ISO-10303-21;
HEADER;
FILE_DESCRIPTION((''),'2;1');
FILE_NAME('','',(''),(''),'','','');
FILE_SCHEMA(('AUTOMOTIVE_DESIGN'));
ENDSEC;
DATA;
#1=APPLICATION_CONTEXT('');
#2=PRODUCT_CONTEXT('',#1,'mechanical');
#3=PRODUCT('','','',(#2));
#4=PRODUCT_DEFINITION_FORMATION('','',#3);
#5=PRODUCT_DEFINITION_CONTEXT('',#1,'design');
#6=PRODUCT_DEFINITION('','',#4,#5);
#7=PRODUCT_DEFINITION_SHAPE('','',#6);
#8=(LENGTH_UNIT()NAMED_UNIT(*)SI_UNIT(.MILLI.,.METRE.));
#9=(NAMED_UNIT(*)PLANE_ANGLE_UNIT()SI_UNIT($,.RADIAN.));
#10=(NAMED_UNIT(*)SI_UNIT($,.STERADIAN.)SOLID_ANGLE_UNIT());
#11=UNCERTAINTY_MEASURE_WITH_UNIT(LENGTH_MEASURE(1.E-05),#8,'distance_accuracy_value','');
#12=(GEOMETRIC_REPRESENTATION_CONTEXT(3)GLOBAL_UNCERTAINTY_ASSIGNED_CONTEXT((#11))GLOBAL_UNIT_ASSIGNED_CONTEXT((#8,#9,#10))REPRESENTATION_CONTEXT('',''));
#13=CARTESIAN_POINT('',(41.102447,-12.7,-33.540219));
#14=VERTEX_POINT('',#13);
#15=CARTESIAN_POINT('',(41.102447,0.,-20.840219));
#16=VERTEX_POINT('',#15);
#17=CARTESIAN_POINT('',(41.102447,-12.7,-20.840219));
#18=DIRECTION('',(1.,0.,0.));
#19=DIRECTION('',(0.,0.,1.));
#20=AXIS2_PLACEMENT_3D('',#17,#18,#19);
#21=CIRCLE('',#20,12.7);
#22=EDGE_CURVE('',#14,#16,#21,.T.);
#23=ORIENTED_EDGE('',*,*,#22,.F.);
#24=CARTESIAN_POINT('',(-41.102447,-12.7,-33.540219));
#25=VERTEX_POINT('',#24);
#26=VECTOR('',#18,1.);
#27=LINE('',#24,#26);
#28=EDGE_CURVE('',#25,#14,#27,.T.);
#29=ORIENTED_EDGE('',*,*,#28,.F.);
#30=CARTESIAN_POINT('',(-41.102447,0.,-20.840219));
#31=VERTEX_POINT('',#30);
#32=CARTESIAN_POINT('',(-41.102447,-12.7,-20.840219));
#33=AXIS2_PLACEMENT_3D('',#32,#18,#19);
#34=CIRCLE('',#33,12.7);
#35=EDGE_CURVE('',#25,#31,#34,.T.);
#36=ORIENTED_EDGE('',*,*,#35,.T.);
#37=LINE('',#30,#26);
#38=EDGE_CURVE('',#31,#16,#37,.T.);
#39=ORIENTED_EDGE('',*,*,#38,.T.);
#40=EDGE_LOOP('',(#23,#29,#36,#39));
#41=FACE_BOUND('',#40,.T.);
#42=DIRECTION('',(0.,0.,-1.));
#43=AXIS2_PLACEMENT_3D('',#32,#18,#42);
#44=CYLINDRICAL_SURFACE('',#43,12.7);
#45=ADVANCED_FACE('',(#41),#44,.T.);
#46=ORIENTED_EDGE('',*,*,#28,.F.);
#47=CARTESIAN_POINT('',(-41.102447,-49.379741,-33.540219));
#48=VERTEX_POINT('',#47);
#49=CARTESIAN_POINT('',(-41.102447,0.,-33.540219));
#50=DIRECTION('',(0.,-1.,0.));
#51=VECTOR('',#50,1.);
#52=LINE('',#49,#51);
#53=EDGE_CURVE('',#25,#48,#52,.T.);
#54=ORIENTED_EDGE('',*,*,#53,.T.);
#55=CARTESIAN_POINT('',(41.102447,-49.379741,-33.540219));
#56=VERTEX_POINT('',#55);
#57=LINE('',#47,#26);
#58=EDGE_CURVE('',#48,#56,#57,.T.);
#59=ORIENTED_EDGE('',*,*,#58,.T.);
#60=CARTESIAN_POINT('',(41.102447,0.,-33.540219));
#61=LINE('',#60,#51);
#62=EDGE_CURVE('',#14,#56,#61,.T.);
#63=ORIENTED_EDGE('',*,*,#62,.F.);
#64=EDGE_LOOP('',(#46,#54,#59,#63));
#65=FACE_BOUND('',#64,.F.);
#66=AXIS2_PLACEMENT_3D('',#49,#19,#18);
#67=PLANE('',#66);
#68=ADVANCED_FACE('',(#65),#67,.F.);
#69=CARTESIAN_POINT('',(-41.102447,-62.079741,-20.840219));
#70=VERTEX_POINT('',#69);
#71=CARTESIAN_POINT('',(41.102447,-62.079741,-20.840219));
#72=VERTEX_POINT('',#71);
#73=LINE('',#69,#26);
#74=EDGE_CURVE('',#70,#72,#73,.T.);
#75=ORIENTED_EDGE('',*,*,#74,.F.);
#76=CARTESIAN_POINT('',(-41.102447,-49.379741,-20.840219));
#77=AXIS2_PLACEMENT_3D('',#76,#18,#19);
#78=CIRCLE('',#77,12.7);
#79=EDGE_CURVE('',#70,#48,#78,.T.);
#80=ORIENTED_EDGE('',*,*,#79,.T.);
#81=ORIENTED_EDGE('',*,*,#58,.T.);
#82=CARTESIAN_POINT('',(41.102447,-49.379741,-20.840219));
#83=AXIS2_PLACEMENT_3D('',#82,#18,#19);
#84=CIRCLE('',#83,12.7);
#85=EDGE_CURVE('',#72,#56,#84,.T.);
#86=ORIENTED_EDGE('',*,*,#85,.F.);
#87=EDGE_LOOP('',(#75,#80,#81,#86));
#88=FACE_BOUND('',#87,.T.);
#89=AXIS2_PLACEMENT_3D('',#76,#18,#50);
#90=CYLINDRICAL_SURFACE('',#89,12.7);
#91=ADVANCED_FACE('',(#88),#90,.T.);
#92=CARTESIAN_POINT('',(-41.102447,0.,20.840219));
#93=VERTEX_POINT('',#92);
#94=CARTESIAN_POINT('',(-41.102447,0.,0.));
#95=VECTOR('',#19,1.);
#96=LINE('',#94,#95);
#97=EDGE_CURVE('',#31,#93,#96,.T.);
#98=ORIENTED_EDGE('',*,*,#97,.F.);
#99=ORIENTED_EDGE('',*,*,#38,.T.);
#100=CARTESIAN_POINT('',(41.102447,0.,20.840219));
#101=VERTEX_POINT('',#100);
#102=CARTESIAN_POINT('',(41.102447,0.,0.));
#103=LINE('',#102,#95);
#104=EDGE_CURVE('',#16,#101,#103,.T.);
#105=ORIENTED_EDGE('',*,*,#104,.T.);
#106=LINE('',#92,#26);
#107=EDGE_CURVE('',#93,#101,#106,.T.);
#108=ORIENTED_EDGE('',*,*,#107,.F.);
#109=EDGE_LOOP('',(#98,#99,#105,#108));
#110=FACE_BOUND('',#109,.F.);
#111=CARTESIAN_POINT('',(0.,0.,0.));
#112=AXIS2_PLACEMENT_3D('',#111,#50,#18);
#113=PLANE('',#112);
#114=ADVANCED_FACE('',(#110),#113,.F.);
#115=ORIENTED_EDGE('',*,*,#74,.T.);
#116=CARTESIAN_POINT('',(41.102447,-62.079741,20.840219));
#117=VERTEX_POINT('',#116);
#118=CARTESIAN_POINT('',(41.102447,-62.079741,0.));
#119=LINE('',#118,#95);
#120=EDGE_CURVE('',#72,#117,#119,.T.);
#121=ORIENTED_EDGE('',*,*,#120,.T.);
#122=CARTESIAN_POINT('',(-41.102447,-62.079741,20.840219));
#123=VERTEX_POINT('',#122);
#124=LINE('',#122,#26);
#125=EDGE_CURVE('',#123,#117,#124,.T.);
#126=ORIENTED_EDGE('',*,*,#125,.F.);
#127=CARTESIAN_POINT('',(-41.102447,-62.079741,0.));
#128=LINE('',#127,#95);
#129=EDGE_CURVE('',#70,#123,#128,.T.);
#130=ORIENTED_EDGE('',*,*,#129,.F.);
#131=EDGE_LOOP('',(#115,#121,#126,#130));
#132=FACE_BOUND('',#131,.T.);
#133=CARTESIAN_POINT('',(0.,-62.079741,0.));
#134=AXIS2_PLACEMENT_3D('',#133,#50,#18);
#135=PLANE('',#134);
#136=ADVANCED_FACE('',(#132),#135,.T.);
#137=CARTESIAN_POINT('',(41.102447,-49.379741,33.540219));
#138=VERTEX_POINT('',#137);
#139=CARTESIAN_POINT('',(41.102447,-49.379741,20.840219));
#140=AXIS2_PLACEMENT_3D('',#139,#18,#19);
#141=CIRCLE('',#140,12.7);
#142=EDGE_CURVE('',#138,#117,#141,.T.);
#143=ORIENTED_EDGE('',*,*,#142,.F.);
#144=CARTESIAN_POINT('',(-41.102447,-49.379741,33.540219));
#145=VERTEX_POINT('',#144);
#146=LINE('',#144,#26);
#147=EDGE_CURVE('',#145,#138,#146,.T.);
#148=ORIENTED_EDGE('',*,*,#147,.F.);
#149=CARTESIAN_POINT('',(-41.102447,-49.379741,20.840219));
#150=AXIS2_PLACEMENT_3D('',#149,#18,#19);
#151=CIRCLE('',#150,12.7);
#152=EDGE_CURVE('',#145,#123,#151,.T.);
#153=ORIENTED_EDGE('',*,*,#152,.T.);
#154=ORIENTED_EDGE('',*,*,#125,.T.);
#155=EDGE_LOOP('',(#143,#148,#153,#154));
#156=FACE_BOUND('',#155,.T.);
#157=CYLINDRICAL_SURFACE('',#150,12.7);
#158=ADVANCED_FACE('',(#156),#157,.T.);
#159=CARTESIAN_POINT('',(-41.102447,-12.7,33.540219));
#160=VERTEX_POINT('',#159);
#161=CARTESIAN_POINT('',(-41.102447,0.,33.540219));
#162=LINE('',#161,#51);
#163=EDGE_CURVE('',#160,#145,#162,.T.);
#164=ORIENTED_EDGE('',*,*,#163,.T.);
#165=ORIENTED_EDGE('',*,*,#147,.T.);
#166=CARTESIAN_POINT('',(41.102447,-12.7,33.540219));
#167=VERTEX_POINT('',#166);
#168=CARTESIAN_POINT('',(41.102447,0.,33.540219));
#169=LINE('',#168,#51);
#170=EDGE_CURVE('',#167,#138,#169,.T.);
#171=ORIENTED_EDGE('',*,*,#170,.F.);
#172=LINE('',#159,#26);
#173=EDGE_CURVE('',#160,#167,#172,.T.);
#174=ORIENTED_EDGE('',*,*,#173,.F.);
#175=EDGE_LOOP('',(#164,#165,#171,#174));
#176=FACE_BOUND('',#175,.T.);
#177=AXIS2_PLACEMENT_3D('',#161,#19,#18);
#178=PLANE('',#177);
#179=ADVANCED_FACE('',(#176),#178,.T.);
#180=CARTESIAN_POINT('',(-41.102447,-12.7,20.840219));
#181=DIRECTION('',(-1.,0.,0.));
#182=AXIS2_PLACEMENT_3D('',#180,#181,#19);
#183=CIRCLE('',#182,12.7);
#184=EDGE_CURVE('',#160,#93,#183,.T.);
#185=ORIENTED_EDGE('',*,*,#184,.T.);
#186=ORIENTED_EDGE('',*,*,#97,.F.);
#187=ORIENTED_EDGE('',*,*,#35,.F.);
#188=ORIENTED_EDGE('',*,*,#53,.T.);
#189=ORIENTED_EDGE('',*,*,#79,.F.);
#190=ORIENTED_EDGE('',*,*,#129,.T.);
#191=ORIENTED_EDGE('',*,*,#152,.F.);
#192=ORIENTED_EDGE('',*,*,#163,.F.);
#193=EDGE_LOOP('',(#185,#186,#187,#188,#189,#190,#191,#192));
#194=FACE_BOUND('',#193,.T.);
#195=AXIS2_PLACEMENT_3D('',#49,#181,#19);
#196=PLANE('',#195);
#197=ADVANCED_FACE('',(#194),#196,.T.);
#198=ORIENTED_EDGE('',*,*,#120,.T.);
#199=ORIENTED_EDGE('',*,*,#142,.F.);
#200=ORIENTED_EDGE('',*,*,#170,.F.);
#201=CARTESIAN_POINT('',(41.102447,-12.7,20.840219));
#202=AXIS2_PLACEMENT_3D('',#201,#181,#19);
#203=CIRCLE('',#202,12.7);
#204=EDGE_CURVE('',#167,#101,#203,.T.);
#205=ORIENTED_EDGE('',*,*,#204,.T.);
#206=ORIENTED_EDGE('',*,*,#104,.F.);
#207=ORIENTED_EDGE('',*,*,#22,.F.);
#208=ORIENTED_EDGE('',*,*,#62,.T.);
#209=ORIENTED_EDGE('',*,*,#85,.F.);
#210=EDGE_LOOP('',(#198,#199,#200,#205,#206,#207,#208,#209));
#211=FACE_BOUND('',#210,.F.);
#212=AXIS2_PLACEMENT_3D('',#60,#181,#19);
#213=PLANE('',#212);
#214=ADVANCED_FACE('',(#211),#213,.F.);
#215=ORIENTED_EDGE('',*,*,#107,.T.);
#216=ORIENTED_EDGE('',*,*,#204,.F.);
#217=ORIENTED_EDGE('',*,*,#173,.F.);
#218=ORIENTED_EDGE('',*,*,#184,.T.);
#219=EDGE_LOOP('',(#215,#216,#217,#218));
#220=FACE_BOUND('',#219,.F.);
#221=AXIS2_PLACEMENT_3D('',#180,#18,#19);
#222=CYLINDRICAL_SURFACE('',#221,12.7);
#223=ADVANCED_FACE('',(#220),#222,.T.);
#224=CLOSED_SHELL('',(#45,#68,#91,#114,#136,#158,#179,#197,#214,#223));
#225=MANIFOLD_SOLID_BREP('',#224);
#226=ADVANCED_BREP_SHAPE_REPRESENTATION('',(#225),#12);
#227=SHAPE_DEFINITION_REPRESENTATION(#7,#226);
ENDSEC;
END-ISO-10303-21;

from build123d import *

# Parameters (mm, degrees)
F0_W     = 82.204894
F0_H     = 67.080438
F1_DEPTH = 62.079741
F2_R     = 12.7
F3_R     = 12.7
F4_R     = 12.7


with BuildPart() as f1:
    # F0 (on Front) → F1 (new body)
    with BuildSketch(Plane.XZ):
        Rectangle(F0_W, F0_H)
    extrude(amount=F1_DEPTH)

    # F2
    f2_edges = [f1.edges().sort_by_distance(p)[0] for p in [
        (0, -62.079741, 33.540219),
    ]]
    fillet(f2_edges, radius=F2_R)

    # F3
    f3_edges = [f1.edges().sort_by_distance(p)[0] for p in [
        (0, -62.079741, -33.540219),
    ]]
    fillet(f3_edges, radius=F3_R)

    # F4
    f4_edges = [f1.edges().sort_by_distance(p)[0] for p in [
        (0, 0, -33.540219),
        (0, 0, 33.540219),
    ]]
    fillet(f4_edges, radius=F4_R)


solid = f1.part
